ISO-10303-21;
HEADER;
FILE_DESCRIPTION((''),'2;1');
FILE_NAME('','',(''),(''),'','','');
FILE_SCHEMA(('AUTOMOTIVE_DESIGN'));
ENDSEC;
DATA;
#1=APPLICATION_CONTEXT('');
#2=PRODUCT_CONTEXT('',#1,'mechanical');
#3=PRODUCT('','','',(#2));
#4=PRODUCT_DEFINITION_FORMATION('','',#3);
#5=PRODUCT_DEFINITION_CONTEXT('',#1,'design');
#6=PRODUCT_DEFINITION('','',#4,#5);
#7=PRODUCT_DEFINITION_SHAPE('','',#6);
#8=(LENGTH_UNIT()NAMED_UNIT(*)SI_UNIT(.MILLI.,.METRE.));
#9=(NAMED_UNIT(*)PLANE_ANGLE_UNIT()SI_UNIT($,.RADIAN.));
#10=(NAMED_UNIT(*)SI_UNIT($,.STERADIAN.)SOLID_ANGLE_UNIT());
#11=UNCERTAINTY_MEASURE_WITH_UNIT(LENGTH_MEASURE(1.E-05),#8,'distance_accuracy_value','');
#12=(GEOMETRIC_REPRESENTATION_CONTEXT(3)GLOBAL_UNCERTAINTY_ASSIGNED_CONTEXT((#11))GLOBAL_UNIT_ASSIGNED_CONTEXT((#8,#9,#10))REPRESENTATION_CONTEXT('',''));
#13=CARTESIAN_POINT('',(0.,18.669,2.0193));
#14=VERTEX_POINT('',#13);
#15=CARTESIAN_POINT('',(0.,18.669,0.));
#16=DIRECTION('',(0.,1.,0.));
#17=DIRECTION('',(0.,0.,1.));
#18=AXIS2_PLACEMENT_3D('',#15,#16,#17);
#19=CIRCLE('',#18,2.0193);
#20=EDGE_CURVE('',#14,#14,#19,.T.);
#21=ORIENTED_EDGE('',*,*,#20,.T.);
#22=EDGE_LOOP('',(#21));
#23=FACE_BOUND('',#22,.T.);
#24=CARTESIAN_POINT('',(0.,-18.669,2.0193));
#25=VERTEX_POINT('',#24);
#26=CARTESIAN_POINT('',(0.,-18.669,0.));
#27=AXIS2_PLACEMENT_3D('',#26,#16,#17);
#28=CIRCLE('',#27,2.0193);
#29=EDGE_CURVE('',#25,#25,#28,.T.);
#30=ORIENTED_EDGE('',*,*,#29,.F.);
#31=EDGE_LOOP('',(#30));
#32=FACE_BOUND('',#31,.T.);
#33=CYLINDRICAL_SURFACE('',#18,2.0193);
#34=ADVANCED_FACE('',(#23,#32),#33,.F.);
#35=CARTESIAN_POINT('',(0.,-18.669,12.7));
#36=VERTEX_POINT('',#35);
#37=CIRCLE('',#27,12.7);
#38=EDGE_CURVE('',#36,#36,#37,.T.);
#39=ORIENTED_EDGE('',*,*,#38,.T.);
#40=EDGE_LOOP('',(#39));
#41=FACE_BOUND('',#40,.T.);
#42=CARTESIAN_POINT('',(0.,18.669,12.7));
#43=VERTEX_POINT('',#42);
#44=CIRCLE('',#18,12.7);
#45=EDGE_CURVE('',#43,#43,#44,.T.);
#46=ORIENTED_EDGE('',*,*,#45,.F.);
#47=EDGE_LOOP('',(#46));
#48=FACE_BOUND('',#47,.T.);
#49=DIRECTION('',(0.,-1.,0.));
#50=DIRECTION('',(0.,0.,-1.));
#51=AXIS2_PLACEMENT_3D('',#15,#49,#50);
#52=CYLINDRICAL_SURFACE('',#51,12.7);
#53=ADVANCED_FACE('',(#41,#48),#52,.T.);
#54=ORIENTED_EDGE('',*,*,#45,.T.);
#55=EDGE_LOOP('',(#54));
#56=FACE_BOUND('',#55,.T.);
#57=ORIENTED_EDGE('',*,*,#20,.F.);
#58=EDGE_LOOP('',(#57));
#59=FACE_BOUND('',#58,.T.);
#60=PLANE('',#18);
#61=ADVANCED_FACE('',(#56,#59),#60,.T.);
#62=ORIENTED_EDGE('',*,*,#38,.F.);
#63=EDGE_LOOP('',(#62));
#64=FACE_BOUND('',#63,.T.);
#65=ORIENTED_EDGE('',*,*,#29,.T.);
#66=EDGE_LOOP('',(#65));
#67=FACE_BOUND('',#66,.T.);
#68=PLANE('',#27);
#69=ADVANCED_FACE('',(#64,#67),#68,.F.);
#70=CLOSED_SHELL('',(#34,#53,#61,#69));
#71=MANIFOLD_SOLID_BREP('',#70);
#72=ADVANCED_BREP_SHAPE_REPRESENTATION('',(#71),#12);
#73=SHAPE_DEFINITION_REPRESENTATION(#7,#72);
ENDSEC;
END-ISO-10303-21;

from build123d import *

# Parameters (mm, degrees)
SKETCH1_R                      = 12.7
BOSS_EXTRUDE1_DEPTH            = 18.669
TAP_DRILL_FOR_10_32_TAP1_D     = 4.0386
TAP_DRILL_FOR_10_32_TAP1_DEPTH = 37.338


with BuildPart() as part:
    # Sketch1 → Boss-Extrude1 (new body, symmetric)
    with BuildSketch(Plane(origin=(0, 0, 0), x_dir=(1, 0, 0), z_dir=(0, 1, 0))):
        Circle(SKETCH1_R)
    extrude(amount=BOSS_EXTRUDE1_DEPTH, both=True)

    # Tap Drill for #10-32 Tap1
    with Locations(Plane(origin=(0, 18.669, 0), x_dir=(1, 0, 0), z_dir=(0, 1, 0))):
        with Locations((0, 0)):
            Hole(TAP_DRILL_FOR_10_32_TAP1_D / 2, depth=TAP_DRILL_FOR_10_32_TAP1_DEPTH)


solid = part.part
